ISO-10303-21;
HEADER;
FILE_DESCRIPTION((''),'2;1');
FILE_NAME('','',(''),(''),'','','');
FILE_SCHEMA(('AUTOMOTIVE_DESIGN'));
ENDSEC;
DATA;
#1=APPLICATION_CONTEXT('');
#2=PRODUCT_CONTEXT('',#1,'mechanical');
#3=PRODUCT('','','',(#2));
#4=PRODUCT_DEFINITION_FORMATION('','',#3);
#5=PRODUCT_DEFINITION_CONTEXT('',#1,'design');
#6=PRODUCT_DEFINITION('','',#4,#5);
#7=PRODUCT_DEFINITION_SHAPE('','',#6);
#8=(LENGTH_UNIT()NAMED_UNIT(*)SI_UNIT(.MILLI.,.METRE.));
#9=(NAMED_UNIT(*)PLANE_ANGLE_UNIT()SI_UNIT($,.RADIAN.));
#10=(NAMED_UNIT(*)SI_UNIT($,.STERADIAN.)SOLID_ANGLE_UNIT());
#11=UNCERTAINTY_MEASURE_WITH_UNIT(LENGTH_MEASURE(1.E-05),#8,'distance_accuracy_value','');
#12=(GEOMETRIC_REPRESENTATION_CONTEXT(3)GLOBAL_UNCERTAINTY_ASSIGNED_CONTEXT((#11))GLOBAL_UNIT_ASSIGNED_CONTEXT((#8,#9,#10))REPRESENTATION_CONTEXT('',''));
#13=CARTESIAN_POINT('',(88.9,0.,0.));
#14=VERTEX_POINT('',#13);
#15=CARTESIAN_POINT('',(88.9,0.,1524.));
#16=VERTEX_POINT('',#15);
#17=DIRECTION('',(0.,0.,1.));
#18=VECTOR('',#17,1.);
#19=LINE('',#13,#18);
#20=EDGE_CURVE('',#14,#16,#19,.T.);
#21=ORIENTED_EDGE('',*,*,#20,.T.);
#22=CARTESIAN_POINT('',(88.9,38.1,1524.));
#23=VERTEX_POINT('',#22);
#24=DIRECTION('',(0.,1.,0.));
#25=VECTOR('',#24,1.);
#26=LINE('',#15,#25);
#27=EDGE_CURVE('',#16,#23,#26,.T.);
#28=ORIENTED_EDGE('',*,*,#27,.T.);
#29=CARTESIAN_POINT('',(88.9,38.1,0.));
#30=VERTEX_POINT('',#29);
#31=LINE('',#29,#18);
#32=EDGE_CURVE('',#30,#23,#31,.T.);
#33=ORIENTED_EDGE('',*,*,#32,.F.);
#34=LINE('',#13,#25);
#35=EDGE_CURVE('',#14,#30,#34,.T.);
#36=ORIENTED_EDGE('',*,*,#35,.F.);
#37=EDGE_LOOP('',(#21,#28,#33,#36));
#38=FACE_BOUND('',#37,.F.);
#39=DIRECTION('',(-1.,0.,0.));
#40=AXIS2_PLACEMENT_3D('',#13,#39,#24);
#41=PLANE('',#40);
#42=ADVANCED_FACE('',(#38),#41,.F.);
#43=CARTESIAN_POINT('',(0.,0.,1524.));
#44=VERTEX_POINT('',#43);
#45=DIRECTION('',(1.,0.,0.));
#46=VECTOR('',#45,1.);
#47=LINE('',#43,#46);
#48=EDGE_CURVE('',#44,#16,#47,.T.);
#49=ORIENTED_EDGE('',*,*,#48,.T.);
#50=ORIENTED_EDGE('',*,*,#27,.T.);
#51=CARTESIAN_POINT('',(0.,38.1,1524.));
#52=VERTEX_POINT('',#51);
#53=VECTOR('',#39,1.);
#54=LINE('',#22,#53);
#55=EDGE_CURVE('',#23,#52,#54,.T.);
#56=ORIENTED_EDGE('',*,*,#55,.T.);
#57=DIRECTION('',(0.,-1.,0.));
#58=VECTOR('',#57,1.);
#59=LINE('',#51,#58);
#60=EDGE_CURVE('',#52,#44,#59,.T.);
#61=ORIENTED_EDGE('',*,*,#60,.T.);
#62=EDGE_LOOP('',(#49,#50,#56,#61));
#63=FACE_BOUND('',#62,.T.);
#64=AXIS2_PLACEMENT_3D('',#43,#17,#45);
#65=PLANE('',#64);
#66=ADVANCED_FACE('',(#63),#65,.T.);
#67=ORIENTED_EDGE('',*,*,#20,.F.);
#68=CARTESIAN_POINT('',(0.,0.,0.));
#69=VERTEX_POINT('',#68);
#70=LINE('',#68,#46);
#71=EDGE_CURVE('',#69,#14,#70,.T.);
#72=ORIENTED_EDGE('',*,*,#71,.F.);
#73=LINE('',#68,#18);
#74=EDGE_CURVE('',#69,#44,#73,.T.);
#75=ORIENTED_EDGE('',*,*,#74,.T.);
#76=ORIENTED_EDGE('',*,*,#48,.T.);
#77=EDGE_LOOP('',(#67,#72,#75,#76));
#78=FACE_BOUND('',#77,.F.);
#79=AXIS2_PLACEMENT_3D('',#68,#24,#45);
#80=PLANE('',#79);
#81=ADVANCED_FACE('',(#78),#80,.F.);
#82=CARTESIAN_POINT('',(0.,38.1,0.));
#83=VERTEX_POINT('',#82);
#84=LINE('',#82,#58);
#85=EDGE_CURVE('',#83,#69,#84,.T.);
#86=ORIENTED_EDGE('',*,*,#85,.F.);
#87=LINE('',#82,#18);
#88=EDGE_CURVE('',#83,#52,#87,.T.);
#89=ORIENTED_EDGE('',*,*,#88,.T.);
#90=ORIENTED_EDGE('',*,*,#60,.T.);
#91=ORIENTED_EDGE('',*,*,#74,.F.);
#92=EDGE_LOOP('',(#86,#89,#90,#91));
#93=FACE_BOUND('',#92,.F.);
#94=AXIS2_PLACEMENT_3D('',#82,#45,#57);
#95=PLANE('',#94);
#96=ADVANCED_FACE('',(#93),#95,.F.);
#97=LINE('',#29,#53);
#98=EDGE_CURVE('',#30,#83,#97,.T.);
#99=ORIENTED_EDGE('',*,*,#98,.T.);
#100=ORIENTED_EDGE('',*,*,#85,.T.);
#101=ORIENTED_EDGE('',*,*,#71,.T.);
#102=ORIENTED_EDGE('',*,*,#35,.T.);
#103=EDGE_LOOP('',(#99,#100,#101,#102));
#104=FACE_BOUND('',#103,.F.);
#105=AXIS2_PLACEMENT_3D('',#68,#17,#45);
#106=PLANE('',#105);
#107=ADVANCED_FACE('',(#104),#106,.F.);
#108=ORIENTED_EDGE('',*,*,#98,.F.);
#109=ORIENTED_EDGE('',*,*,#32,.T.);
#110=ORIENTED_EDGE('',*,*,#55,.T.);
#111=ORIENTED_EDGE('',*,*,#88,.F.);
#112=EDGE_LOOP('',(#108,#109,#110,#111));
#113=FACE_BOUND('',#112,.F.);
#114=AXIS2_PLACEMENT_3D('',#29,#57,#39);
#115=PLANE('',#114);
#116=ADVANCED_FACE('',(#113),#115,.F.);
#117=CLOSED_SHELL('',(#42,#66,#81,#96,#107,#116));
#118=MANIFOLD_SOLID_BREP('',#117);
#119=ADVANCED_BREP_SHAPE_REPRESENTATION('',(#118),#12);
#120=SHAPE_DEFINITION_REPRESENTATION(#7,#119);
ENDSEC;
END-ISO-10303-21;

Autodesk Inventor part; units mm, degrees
ref_plane "YZ Plane" through (0, 0, 0) normal (1, 0, 0) x (0, 1, 0)
ref_plane "XZ Plane" through (0, 0, 0) normal (0, 1, 0) x (-1, 0, 0)
ref_plane "XY Plane" through (0, 0, 0) normal (0, 0, 1) x (1, 0, 0)
sketch "Sketch1" plane through (0, 0, 0) normal (0, 0, 1) x (1, 0, 0)
  line L0 (0, 0) -> (88.9, 0)
  line L1 (88.9, 0) -> (88.9, 38.1)
  line L2 (88.9, 38.1) -> (0, 38.1)
  line L3 (0, 38.1) -> (0, 0)
  dimension "d0" = 88.9
  dimension "d1" = 38.1
extrude "Extrusion1" add sketch "Sketch1" along normal blind 1524
properties part number "2p2ps37" material "Wood (Cherry)"
